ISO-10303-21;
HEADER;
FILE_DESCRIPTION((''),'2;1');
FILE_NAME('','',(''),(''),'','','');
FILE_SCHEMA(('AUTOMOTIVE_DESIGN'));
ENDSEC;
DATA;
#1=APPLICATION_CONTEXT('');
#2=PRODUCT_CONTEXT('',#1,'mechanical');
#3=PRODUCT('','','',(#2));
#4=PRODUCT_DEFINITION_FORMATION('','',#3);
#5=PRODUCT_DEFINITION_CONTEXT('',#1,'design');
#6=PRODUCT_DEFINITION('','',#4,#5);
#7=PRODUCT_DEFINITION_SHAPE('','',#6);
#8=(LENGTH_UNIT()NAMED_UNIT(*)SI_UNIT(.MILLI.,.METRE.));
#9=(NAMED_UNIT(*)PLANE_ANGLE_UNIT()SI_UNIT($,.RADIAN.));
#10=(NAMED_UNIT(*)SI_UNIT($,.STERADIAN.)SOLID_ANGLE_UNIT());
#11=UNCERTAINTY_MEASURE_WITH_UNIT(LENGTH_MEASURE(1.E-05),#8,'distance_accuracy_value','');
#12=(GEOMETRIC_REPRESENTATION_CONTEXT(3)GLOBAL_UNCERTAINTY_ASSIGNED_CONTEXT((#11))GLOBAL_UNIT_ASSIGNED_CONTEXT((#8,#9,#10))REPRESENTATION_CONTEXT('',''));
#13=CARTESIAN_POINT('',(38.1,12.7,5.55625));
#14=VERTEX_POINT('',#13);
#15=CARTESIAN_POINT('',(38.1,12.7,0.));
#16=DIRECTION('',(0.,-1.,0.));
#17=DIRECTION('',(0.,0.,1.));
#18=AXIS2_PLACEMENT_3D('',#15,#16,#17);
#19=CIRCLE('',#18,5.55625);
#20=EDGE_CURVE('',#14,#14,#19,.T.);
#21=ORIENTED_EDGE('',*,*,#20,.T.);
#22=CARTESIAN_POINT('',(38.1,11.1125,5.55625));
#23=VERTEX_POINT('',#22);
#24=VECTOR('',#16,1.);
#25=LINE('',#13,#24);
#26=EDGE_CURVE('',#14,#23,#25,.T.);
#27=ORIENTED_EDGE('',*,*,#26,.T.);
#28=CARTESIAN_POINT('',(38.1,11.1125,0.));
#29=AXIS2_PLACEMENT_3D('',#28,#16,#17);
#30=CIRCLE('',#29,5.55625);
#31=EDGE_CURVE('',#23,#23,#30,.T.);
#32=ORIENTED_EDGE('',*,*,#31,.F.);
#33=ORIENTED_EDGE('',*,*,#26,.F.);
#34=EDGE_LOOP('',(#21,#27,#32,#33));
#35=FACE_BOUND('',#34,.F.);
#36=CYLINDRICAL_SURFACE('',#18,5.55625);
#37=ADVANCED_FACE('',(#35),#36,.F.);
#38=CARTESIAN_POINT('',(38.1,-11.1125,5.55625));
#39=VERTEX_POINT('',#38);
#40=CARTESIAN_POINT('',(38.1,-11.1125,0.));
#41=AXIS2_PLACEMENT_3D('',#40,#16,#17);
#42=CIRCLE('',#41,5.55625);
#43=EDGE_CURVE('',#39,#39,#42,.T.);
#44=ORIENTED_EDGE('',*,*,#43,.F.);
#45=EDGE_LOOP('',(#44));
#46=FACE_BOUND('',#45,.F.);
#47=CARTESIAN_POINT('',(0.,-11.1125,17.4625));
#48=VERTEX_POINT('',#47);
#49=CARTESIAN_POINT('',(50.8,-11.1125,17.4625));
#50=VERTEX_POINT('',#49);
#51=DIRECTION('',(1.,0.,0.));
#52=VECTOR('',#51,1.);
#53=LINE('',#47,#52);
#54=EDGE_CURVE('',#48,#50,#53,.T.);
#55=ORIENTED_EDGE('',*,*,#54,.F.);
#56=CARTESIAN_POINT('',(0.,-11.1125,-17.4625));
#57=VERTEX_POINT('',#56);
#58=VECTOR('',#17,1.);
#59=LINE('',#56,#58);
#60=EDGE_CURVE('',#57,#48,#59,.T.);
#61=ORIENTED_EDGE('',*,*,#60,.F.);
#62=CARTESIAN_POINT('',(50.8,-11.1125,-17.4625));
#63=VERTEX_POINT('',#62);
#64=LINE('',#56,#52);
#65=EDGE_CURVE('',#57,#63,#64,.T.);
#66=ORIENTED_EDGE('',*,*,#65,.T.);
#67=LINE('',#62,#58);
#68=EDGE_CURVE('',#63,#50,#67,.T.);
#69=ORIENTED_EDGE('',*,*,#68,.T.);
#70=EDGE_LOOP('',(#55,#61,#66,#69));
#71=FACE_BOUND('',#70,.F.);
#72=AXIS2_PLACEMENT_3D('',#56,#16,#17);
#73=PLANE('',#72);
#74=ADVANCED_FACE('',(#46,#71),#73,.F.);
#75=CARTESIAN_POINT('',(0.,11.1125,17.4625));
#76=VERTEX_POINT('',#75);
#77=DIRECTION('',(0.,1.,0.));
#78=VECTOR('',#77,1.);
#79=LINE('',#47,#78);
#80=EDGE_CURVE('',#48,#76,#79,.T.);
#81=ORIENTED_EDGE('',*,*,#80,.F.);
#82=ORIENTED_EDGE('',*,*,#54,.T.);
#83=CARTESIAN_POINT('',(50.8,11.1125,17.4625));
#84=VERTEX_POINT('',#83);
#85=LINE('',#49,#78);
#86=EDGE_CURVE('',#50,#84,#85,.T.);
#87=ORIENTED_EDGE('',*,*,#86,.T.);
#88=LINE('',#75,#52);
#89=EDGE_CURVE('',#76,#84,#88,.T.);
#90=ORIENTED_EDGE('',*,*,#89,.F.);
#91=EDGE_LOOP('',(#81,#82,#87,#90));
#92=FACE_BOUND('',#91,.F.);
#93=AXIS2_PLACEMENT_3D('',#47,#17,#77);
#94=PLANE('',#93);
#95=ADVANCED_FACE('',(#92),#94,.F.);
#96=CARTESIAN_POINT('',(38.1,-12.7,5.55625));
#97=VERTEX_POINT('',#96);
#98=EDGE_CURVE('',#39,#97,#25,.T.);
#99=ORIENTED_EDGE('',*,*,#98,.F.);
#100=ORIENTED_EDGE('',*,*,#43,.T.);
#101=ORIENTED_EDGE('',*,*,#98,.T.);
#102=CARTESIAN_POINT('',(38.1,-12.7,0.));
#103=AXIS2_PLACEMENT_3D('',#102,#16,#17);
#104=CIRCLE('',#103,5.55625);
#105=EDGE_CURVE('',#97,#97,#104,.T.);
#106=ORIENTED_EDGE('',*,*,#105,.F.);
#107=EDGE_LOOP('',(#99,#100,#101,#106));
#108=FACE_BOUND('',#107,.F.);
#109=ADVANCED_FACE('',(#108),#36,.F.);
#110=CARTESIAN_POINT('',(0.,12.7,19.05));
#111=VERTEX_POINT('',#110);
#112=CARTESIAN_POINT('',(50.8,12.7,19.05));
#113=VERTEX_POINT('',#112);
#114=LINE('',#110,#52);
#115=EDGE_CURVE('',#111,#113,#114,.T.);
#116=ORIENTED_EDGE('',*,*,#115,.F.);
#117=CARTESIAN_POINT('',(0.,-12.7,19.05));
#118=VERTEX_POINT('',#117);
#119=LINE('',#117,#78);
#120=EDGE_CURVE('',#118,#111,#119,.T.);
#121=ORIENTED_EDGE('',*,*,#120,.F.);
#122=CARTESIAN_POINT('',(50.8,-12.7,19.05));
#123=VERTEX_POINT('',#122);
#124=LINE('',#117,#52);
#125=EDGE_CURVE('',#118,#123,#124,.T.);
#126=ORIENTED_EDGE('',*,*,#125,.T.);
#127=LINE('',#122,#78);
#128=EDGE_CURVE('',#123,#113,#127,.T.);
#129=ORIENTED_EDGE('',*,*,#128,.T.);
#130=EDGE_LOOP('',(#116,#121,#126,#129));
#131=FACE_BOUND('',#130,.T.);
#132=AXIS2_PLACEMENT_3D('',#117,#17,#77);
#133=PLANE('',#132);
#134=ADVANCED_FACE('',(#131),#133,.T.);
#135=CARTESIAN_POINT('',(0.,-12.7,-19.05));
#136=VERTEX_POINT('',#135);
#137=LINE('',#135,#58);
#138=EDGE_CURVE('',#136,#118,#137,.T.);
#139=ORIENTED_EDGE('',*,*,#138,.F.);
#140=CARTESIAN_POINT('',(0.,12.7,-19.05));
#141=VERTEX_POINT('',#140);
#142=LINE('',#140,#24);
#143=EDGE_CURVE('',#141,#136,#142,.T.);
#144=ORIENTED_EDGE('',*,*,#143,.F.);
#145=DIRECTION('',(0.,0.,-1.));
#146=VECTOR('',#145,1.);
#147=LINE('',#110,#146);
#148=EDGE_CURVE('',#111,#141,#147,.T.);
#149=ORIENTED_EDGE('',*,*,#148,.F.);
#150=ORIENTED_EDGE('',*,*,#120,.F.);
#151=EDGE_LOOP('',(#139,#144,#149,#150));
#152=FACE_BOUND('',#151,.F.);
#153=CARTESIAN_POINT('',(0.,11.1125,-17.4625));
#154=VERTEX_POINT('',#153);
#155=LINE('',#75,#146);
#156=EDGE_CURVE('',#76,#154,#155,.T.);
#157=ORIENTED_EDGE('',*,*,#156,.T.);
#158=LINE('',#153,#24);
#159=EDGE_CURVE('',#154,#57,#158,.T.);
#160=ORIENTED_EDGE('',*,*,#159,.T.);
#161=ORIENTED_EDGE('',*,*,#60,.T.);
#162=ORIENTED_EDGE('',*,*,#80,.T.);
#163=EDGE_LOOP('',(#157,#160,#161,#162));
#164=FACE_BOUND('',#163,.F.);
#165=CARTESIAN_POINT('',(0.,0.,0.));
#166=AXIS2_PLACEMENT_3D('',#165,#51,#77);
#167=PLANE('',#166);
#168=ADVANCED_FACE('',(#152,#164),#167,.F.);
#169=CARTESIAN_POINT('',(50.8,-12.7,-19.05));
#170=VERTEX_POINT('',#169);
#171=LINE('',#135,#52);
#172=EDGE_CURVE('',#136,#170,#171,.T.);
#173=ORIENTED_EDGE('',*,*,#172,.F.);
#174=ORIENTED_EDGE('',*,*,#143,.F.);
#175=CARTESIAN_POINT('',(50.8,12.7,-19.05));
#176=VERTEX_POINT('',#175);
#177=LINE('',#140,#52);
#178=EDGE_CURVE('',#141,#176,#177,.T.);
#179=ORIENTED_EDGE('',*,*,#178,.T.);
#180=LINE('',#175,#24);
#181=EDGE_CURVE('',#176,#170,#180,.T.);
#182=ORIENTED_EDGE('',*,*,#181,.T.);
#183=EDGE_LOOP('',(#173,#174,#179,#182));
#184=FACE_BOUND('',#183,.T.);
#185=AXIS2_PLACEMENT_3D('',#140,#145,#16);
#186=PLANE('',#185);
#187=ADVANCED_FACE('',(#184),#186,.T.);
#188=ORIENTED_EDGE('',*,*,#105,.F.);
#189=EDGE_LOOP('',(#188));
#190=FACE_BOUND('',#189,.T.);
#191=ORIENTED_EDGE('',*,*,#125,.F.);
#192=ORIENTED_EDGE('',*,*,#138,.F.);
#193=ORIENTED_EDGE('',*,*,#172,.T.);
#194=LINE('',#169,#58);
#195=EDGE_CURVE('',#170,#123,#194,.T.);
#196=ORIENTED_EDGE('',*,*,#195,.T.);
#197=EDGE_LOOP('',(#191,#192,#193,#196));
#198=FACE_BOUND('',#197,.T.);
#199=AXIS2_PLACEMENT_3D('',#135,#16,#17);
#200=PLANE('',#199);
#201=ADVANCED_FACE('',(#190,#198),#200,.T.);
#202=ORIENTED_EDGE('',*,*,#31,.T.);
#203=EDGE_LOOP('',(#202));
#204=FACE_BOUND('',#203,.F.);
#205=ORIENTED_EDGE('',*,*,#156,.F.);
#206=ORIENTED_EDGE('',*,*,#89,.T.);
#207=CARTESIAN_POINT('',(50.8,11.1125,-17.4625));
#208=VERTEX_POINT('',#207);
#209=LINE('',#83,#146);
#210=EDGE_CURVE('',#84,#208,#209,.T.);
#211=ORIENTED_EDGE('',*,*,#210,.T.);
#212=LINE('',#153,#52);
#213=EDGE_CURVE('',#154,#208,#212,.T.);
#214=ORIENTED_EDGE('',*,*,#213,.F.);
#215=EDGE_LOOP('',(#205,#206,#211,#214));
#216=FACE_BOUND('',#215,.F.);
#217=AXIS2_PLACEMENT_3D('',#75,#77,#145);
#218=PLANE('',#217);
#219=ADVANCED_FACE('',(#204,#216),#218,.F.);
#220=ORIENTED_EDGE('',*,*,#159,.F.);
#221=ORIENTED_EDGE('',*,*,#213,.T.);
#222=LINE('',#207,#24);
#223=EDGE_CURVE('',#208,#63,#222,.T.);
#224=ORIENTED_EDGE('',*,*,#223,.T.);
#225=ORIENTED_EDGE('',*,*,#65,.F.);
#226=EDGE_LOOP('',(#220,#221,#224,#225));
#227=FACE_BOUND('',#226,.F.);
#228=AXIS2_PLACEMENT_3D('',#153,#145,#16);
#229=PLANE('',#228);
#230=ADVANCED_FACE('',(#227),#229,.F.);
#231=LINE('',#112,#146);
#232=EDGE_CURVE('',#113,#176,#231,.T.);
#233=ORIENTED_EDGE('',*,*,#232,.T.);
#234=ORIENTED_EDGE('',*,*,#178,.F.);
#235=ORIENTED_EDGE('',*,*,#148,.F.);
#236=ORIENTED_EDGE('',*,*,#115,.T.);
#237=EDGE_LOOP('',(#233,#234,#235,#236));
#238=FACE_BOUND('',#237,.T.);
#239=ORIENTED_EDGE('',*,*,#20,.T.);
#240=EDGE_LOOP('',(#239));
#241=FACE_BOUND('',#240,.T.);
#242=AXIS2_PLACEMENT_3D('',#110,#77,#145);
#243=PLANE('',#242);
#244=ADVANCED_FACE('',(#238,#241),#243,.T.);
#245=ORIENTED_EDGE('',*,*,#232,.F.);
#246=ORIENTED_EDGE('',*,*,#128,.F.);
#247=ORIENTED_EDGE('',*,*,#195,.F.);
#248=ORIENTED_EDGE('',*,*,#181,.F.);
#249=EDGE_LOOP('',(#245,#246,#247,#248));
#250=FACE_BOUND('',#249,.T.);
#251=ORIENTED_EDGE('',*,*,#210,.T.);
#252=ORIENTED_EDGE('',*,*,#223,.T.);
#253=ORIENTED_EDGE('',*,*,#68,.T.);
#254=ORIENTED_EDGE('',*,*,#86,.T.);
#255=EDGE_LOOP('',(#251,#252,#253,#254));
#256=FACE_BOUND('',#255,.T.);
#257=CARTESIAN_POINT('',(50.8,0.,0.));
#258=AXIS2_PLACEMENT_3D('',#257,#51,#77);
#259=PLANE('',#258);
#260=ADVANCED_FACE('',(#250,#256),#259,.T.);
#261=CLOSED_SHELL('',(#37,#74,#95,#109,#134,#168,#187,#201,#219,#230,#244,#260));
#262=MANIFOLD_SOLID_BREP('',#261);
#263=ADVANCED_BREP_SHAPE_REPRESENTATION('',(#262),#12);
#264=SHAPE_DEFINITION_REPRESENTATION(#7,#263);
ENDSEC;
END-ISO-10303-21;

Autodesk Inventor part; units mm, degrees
ref_plane "Work Plane3" through (0, 12.7, 0) normal (0, 1, 0) x (-1, 0, 0)
ref_plane "Start Plane" through (0, 0, 0) normal (1, 0, 0) x (0, 1, 0)
ref_plane "End Plane" through (50.8, 0, 0) normal (1, 0, 0) x (0, 1, 0)
sketch "Sketch" plane through (0, 0, 0) normal (1, 0, 0) x (0, 1, 0)
  line L0 (-12.7, 19.05) -> (12.7, 19.05)
  line L1 (12.7, 19.05) -> (12.7, -19.05)
  line L2 (12.7, -19.05) -> (-12.7, -19.05)
  line L3 (-12.7, -19.05) -> (-12.7, 19.05)
  line L4 (-12.7, 19.05) -> (12.7, -19.05) construction
  line L5 (12.7, 19.05) -> (-12.7, -19.05) construction
  line L6 (-11.1125, 17.4625) -> (11.1125, 17.4625)
  line L7 (11.1125, 17.4625) -> (11.1125, -17.4625)
  line L8 (11.1125, -17.4625) -> (-11.1125, -17.4625)
  line L9 (-11.1125, -17.4625) -> (-11.1125, 17.4625)
  line L10 (-11.1125, 17.4625) -> (11.1125, -17.4625) construction
  line L11 (11.1125, 17.4625) -> (-11.1125, -17.4625) construction
  point P0 (0, 0)
  dimension "d0" = 38.1
  dimension "d1" = 25.4
  dimension "d2" = 1.5875
  dimension "d3" = 1.5875
extrude "Body" add sketch "Sketch" along normal up to surface (50.8 mm away) from surface at 0
sketch "Sketch8" plane through (0, 0, 0) normal (1, 0, 0) x (0, 1, 0)
  line L0 (0, 0) -> (10, 0)
ref_plane "Work Plane6" through (0, 0, 0) normal (0, 0, -1) x (0, 1, 0)
sketch "Sketch9" plane through (0, 0, 0) normal (0, 0, -1) x (0, 1, 0)
  line L0 (-17.78, 0) -> (17.78, 0)
  line L1 (-17.78, 50.8) -> (17.78, 50.8)
  dimension "d21" = 50.8
sketch "Sketch5" plane through (0, 12.7, -19.05) normal (0, 1, 0) x (1, 0, 0)
  line L0 (0, -38.1) -> (0, 0) projected
  point P0 (0, -19.05)
  point P1 (38.1, -19.05)
  dimension "d22" = 38.1
hole "Hole2" at (38.1, 12.7, 0) direction (0, -1, 0) diameter 11.1125 end through all
equation "\"d3\" = d2"
equation "\"G_OFFSET_START\" = 0"
equation "\"G_OFFSET_END\" = 0"
equation "\"d17\" = d4 + G_OFFSET_END"
equation "\"G_L\" = d21"
equation "\"d4\" = 50.8"
properties part number "1605682955249"
